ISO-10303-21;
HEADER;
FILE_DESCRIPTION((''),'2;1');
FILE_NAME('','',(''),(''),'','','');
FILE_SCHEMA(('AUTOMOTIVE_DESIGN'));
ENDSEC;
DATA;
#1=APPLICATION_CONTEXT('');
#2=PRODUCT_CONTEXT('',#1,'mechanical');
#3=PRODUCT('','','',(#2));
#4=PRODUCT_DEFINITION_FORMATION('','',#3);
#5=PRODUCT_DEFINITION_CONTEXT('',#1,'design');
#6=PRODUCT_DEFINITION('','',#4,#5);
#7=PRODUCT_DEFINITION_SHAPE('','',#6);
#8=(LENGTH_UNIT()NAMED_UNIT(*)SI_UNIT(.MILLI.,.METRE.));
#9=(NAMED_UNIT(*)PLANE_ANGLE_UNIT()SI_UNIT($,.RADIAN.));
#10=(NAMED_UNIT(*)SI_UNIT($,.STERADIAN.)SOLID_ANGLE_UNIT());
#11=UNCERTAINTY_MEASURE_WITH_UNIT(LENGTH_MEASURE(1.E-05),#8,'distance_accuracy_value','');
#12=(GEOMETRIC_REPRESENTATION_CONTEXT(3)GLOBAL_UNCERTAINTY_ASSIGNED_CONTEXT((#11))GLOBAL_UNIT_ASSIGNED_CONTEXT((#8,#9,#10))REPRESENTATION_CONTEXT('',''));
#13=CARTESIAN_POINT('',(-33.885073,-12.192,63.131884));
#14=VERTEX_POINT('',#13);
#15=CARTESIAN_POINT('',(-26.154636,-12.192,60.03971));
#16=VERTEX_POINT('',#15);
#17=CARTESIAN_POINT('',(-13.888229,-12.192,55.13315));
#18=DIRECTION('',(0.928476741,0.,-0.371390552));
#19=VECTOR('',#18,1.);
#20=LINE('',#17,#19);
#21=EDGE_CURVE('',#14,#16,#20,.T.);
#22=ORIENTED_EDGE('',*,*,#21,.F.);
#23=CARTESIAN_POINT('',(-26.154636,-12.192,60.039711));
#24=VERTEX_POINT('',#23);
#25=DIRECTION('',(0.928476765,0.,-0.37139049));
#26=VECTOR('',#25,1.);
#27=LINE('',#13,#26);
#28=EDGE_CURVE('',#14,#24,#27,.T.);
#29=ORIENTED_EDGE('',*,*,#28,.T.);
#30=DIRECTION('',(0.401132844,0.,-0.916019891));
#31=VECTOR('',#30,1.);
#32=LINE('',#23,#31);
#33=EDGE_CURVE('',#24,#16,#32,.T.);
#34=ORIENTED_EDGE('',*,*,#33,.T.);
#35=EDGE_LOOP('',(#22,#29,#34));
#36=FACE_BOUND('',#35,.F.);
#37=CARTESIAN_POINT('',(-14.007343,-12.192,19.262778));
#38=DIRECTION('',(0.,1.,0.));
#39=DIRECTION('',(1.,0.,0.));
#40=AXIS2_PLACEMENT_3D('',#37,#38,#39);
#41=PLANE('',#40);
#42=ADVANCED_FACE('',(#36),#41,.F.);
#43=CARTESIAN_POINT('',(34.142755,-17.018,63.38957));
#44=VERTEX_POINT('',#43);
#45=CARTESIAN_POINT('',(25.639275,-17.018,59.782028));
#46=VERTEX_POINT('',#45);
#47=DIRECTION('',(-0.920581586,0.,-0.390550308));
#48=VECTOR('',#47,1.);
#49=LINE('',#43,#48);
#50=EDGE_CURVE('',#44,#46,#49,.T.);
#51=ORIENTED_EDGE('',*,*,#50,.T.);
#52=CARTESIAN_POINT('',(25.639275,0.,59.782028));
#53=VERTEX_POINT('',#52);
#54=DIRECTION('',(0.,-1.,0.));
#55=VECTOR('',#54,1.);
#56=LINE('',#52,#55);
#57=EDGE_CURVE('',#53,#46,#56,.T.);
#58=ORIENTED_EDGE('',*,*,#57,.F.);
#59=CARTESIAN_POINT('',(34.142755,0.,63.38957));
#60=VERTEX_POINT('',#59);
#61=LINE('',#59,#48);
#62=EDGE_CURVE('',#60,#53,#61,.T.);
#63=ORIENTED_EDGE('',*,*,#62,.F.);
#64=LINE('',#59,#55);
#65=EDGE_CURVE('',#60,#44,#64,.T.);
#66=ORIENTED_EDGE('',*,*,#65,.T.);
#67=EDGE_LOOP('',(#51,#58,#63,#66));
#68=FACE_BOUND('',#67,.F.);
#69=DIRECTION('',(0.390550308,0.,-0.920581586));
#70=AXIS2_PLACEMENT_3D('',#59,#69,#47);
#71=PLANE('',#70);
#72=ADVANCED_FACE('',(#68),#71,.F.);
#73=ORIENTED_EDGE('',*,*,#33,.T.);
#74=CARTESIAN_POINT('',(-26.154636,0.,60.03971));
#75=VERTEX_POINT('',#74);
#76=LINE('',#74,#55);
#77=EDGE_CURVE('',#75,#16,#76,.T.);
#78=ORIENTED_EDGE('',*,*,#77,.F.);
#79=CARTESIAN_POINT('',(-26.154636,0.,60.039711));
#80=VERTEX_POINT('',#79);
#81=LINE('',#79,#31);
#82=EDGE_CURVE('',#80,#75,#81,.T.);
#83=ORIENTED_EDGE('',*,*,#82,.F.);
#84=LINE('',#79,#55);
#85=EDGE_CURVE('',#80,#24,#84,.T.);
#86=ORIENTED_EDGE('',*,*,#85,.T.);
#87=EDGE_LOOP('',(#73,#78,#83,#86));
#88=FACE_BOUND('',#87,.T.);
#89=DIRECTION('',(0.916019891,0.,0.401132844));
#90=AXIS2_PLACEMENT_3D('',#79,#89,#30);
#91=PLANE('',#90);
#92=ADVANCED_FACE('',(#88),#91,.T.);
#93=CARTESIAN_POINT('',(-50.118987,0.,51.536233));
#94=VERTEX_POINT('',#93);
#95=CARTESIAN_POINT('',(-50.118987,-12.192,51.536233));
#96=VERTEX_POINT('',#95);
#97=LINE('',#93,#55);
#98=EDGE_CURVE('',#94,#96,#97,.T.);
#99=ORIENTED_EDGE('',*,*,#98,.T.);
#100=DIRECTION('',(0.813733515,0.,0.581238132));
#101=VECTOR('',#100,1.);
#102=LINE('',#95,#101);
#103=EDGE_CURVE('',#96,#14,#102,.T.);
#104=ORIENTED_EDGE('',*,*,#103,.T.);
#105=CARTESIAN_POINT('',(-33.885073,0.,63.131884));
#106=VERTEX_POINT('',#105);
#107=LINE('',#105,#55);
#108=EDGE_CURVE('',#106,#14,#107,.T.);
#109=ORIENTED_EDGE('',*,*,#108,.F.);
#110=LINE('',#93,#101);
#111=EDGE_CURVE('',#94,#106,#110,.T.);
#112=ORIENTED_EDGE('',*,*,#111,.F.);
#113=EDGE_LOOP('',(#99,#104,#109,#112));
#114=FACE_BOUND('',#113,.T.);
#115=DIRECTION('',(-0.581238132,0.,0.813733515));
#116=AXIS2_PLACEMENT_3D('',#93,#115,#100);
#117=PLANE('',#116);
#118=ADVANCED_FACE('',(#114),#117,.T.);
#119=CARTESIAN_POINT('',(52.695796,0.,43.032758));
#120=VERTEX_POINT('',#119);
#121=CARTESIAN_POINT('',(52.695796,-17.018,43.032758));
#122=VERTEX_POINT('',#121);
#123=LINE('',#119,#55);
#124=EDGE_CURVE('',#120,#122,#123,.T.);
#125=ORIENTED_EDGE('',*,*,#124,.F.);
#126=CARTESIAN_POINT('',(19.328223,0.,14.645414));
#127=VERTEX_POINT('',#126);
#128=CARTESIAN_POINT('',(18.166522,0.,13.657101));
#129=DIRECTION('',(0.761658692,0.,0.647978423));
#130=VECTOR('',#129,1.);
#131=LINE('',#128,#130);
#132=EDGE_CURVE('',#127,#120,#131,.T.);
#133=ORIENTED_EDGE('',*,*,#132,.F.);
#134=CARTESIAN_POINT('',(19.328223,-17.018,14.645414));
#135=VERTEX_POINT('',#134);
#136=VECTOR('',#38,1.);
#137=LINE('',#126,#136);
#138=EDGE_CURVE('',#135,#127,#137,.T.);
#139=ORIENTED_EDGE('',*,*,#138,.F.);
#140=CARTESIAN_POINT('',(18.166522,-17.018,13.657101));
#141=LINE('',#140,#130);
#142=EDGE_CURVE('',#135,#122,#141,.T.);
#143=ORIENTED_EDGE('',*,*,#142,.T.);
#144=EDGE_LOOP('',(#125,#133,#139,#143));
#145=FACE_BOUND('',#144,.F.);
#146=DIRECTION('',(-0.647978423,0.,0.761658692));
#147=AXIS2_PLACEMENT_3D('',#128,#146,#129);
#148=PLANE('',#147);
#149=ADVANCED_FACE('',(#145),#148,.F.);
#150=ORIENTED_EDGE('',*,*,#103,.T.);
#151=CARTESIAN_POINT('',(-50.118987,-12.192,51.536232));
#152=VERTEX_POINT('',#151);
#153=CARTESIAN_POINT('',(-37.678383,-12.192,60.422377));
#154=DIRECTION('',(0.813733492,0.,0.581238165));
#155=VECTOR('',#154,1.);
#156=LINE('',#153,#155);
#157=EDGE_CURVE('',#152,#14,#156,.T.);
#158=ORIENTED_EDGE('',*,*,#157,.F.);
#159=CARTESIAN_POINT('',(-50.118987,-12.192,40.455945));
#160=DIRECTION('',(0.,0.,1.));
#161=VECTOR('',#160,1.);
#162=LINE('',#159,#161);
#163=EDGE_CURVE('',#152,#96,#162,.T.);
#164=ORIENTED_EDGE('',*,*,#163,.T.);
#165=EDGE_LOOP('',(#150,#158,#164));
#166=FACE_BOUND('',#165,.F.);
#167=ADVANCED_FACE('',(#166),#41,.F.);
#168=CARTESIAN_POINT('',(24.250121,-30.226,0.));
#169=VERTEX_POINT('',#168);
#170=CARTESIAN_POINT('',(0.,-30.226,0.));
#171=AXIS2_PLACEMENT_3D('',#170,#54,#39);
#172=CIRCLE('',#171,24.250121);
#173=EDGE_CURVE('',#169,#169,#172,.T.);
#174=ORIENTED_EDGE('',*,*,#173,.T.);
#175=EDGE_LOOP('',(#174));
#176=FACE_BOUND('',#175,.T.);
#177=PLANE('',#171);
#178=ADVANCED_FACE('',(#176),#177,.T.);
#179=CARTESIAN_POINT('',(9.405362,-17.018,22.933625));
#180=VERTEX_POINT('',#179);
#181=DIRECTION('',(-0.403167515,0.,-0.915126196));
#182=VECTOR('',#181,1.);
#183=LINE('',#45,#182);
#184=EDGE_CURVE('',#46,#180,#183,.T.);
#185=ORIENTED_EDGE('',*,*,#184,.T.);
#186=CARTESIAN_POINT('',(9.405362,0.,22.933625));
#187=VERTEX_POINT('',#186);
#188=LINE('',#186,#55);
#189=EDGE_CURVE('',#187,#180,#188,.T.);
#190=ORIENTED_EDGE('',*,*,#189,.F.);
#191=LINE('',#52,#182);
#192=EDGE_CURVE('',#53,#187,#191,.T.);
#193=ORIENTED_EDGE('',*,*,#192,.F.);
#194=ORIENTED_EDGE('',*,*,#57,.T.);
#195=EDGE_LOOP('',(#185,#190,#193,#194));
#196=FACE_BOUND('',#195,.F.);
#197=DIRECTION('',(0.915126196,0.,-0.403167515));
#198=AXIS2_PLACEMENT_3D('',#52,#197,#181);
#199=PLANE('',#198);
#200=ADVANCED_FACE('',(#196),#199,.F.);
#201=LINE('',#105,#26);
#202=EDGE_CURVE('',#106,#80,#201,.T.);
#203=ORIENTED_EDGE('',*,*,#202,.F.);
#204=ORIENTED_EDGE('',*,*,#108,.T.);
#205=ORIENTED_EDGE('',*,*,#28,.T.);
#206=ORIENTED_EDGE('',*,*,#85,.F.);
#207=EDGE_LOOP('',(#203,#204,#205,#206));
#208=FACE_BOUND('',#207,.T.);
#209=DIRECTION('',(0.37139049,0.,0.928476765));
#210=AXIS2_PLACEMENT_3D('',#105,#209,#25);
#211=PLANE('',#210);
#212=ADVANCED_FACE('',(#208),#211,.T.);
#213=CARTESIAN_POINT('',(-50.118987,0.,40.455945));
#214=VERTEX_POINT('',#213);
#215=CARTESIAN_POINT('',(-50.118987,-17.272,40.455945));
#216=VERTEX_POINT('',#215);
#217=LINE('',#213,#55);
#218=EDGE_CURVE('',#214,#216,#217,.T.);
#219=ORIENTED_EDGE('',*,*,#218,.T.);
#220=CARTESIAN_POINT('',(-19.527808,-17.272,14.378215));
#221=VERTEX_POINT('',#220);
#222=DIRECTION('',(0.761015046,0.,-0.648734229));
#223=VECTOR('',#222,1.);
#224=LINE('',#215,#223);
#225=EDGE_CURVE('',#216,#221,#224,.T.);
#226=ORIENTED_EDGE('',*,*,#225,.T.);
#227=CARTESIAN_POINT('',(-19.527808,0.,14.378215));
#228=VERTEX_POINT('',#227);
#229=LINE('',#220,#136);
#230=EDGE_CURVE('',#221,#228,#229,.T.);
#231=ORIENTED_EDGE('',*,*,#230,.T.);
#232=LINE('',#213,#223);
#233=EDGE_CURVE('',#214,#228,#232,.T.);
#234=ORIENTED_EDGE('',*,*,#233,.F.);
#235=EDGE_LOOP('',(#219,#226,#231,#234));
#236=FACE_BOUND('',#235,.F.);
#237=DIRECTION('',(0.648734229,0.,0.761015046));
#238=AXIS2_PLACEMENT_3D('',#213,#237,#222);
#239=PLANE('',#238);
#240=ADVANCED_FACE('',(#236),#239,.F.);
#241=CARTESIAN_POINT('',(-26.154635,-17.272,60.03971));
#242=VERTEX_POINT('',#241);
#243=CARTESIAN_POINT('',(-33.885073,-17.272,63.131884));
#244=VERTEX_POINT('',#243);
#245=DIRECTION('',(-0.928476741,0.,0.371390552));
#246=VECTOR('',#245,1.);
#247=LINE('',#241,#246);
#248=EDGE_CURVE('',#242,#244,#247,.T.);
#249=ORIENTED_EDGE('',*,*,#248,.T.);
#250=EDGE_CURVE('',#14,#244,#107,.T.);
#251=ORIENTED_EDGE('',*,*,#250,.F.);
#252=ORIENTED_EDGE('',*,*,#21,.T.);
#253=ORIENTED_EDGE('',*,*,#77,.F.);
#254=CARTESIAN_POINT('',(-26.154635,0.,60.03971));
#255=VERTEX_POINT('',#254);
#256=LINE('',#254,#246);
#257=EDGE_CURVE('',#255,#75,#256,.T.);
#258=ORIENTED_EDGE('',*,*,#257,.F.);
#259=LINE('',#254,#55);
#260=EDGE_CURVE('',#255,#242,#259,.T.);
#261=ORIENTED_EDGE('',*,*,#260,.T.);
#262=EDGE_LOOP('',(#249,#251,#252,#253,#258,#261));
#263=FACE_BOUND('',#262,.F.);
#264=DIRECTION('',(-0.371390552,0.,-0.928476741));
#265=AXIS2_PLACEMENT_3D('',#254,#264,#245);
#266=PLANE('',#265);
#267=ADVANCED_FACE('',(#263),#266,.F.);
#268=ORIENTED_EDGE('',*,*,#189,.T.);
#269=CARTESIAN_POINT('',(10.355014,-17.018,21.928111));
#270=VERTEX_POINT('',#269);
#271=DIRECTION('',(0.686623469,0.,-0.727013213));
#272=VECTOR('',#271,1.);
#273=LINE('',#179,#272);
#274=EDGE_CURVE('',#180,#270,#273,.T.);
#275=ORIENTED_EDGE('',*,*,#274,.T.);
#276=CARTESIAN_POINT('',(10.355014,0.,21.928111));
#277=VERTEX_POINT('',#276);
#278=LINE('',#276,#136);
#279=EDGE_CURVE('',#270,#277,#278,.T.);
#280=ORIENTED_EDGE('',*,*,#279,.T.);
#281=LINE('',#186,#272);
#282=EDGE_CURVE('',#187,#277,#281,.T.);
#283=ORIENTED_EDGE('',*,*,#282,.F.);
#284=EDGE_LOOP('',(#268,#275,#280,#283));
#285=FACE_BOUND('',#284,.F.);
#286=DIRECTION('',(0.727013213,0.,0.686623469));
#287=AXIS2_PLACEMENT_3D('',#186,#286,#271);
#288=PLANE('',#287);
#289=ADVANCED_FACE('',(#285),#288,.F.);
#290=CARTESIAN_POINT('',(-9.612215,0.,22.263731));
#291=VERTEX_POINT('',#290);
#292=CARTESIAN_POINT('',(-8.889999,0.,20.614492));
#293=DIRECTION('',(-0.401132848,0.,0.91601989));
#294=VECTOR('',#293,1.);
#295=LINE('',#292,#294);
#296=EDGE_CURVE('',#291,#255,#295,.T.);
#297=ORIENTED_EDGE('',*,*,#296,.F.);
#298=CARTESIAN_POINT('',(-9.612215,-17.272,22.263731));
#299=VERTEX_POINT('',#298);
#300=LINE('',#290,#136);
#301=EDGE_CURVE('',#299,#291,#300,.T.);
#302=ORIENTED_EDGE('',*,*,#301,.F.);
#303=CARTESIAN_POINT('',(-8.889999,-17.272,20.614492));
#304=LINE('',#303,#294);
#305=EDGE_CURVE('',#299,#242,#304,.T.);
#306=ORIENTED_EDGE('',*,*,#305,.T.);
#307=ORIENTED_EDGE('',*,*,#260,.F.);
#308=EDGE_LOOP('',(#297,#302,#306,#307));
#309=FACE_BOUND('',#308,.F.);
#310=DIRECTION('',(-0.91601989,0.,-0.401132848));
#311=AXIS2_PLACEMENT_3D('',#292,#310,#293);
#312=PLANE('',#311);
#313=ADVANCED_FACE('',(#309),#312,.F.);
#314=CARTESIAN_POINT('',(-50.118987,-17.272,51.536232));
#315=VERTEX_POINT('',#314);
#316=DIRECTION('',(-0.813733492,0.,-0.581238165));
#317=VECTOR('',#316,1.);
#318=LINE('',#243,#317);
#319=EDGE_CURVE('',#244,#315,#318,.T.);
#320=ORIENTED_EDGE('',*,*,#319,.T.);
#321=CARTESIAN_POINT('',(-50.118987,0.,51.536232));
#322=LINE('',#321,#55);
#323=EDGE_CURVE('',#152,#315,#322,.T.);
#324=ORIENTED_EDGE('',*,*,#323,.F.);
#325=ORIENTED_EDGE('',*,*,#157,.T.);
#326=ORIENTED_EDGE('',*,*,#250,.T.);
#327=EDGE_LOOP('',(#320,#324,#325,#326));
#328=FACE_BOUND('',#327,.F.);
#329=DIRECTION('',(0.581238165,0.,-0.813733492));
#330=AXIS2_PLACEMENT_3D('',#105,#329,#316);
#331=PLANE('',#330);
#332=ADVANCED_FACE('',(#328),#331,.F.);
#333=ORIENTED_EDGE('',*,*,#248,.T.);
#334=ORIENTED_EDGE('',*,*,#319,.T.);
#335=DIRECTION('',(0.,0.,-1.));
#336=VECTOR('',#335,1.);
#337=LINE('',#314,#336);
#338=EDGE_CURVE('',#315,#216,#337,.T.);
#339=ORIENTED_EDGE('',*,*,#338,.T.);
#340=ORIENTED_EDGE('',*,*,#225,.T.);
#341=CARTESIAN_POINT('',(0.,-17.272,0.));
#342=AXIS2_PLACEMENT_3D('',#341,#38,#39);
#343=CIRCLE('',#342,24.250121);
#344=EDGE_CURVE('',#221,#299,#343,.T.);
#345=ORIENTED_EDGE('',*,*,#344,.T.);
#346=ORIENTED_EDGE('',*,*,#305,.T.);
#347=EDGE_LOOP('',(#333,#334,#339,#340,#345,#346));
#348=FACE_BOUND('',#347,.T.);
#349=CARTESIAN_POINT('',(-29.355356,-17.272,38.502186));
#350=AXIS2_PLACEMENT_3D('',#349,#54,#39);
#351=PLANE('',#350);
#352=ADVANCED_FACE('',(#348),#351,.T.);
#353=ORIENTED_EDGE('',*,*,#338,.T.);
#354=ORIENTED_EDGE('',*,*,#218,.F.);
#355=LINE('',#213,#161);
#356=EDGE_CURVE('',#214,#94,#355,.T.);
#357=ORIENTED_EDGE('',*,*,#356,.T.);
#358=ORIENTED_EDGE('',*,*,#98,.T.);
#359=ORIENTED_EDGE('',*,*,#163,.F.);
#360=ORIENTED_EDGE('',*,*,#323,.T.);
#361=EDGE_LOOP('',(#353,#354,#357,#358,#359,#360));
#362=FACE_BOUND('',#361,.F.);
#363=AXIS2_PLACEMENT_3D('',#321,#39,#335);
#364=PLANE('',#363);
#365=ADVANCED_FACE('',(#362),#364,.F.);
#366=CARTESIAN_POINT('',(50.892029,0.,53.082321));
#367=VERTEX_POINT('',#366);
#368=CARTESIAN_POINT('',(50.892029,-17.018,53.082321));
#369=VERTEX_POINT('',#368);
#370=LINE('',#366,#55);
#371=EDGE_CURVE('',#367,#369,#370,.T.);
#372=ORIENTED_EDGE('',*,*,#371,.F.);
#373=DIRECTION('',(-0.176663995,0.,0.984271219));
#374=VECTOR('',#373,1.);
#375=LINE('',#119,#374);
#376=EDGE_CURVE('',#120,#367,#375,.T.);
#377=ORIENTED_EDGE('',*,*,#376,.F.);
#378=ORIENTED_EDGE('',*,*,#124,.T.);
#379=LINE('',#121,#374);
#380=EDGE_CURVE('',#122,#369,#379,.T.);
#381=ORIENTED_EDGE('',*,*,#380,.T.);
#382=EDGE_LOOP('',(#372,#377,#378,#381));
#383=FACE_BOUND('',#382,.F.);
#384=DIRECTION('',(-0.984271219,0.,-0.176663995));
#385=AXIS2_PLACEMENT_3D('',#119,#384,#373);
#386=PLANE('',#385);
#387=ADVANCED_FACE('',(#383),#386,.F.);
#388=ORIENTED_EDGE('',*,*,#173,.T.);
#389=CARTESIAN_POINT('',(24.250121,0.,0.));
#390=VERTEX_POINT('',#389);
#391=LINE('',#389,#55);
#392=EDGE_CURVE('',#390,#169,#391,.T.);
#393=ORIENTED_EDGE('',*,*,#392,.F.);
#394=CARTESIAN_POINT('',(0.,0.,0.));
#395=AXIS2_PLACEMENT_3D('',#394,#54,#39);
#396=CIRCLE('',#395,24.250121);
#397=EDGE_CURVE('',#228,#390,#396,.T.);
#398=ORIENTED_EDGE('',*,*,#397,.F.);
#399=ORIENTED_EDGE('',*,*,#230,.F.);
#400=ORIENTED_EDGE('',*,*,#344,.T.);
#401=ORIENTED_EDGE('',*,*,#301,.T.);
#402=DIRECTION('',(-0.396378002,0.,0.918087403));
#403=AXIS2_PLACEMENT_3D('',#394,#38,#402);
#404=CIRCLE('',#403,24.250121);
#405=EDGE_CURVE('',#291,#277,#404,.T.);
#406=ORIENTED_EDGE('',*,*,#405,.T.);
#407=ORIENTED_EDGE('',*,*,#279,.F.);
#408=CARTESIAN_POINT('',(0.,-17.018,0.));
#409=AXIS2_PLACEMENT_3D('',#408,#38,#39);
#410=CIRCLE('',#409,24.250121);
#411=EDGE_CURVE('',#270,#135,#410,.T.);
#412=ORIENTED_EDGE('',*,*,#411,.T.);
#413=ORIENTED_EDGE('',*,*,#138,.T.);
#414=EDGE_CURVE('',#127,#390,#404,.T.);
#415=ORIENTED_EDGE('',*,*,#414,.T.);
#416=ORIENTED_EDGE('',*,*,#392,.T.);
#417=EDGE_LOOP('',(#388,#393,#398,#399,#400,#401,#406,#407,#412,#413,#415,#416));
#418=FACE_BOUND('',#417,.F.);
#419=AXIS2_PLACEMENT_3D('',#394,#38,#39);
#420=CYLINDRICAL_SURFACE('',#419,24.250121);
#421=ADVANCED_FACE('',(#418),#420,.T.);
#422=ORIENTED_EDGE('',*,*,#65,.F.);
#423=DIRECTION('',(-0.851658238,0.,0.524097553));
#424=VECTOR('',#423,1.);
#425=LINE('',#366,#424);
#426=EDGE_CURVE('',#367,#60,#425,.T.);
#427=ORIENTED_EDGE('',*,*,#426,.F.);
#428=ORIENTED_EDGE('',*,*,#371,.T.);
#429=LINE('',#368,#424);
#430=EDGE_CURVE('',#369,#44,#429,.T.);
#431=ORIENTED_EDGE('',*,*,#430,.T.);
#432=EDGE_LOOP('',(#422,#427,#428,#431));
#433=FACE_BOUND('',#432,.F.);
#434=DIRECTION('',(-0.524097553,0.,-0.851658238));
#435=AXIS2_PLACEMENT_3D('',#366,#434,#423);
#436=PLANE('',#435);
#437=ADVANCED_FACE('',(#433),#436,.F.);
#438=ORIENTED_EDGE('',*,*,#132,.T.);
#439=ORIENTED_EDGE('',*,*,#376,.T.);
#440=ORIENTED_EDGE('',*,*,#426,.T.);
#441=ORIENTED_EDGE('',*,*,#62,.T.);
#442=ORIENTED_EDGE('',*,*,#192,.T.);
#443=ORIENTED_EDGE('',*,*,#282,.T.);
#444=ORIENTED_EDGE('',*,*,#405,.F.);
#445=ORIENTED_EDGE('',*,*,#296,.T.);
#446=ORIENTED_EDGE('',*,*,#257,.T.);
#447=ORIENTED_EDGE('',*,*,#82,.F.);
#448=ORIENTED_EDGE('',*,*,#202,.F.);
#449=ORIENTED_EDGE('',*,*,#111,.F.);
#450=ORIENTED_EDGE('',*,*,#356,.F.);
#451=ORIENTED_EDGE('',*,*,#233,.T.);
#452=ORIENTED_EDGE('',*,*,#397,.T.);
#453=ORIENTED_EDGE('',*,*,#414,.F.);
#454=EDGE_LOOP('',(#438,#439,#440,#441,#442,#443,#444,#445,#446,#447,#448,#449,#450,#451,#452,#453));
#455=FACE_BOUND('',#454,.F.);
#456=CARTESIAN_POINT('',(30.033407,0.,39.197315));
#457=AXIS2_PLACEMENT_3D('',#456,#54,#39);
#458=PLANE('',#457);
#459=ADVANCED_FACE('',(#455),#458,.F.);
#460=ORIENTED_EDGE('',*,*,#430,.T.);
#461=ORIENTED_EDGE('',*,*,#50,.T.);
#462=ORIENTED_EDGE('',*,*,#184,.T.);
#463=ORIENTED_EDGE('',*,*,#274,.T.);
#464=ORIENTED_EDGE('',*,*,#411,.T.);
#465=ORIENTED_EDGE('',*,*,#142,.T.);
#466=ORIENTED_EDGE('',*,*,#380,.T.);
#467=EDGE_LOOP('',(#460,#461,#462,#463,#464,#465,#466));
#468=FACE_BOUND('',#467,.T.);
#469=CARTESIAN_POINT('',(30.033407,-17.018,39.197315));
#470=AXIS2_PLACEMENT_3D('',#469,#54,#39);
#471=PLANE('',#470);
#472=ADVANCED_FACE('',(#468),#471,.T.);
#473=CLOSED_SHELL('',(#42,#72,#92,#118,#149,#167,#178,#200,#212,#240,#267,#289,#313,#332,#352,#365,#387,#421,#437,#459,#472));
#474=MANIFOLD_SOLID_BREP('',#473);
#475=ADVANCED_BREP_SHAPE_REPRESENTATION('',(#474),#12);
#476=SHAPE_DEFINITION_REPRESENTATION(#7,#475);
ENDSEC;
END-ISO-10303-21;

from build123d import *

# Parameters (mm, degrees)
F0_R     = 24.250121
F1_DEPTH = 30.226
F3_DEPTH = 17.272
F4_DEPTH = 12.192
F6_DEPTH = 17.018


with BuildPart() as f1:
    # F0 (on Front) → F1 (new body)
    with BuildSketch(Plane.XZ):
        Circle(F0_R)
    extrude(amount=F1_DEPTH)

    # F2 (on Front) → F3 (join)
    with BuildSketch(Plane.XZ):
        Polygon((-26.154635, 60.03971), (-33.885073, 63.131884), (-50.118987, 51.536232), (-50.118987, 40.455945), (-18.681886, 13.657101), (-8.889999, 20.614492), align=None)
    extrude(amount=F3_DEPTH)

    # F3_face (on face) → F4 (join)
    with BuildSketch(Plane(origin=(-11.093048, 0, 14.527669), x_dir=(1, 0, 0), z_dir=(0, 1, 0))):
        with BuildLine():
            ThreePointArc((35.343168, 14.527669), (3.526124, 37.566983), (-8.43476, 0.149453))
            Line((-8.43476, 0.149453), (-39.025939, -25.928276))
            Line((-39.025939, -25.928276), (-39.025939, -37.008564))
            Line((-39.025939, -37.008564), (-22.792025, -48.604215))
            Line((-22.792025, -48.604215), (-15.061588, -45.512042))
            Line((-15.061588, -45.512042), (1.480833, -7.736061))
            ThreePointArc((1.480833, -7.736061), (24.415416, -5.735176), (35.343168, 14.527669))
        make_face()
    extrude(amount=-F4_DEPTH)

    # F5 (on Front) → F6 (join)
    with BuildSketch(Plane.XZ):
        Polygon((25.639275, 59.782028), (9.405362, 22.933625), (18.166522, 13.657101), (52.695796, 43.032758), (50.892029, 53.082321), (34.142755, 63.38957), align=None)
    extrude(amount=F6_DEPTH)


solid = f1.part
